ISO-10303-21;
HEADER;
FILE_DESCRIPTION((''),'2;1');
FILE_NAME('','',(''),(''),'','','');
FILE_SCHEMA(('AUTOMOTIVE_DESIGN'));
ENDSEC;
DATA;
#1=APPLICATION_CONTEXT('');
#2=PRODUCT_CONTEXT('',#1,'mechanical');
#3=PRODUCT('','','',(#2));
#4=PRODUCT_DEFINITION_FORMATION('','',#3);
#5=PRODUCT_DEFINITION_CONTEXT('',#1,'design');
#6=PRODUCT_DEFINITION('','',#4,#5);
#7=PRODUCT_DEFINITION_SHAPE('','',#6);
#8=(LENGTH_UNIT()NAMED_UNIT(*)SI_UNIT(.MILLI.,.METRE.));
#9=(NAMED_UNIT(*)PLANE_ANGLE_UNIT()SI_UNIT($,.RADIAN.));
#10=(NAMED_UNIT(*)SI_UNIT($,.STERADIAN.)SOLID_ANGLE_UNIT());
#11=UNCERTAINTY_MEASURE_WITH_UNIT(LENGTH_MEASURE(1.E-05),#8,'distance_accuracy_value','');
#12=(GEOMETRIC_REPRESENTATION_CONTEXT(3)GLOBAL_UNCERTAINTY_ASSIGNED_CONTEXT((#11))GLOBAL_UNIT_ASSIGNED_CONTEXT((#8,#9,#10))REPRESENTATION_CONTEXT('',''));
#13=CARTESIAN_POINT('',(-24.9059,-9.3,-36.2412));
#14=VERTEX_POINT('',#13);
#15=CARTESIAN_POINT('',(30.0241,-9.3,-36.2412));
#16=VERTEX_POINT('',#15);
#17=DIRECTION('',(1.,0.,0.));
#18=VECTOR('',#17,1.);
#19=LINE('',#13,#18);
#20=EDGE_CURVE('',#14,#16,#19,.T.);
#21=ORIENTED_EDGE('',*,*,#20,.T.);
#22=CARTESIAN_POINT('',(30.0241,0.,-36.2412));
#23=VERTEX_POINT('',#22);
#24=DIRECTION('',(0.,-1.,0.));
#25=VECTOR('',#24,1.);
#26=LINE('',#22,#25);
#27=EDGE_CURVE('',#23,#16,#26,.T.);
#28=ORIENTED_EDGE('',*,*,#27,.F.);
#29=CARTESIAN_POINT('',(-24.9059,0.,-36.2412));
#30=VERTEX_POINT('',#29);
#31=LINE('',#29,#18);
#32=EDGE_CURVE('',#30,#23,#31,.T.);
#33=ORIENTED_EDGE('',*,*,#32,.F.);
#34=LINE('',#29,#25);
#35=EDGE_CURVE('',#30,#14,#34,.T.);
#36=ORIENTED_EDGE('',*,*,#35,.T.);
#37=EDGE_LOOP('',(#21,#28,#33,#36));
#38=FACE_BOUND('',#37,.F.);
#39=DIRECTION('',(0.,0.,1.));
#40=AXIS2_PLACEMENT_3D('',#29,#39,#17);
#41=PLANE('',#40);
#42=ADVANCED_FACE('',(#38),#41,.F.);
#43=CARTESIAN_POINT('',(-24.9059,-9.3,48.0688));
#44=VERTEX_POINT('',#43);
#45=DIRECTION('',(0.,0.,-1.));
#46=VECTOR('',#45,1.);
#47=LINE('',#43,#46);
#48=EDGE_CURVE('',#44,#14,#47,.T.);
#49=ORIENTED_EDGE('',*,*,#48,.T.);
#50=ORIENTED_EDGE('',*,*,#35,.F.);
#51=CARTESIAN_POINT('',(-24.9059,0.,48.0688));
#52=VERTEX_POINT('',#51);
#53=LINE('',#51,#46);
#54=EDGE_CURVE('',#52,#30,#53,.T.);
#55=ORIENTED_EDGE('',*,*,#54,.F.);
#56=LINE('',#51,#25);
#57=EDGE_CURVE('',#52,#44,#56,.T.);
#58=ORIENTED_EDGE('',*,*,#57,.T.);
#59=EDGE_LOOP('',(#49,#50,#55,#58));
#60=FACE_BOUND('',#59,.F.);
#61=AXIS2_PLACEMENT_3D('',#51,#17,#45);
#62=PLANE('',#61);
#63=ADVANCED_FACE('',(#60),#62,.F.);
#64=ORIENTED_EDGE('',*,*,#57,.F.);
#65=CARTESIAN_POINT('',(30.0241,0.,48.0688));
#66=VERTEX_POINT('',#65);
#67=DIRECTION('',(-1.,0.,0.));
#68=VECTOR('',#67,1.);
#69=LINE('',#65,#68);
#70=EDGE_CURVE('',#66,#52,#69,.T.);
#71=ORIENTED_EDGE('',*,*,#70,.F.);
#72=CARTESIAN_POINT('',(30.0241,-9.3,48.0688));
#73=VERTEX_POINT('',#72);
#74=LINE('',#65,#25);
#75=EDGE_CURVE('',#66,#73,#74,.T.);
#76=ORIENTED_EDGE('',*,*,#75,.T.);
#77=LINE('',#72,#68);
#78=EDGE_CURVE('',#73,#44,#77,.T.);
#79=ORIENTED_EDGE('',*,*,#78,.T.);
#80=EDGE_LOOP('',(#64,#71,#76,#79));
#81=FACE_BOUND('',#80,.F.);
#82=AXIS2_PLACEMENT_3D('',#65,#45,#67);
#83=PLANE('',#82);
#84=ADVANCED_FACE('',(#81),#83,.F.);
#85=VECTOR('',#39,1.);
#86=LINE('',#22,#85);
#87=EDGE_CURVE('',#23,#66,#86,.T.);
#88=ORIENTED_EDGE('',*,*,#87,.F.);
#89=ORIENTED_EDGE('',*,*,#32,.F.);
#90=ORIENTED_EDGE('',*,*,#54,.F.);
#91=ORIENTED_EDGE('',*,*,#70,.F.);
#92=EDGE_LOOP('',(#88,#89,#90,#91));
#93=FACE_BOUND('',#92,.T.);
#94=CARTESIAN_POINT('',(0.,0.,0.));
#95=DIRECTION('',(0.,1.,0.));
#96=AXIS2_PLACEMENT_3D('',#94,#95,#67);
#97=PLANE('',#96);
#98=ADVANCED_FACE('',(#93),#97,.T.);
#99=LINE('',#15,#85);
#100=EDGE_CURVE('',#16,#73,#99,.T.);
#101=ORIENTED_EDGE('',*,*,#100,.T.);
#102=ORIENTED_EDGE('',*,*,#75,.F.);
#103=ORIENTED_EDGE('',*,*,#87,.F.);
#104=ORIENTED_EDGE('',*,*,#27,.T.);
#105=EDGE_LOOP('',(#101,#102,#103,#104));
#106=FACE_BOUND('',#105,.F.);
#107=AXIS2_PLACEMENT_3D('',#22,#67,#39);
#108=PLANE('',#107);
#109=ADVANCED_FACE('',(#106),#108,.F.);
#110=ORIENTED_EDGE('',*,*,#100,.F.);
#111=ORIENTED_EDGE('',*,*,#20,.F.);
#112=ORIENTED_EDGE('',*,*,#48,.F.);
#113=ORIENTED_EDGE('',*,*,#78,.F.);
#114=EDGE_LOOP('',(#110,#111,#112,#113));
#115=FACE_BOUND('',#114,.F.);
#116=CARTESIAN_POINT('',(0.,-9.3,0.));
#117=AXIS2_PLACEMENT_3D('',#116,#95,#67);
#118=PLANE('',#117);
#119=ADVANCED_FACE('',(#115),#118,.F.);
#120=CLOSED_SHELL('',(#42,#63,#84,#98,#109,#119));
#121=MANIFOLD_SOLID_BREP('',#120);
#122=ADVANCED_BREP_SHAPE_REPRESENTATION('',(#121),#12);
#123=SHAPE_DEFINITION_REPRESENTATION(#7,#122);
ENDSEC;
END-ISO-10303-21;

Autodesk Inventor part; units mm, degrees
ref_plane "YZ Plane" through (0, 0, 0) normal (1, 0, 0) x (0, 1, 0)
ref_plane "XZ Plane" through (0, 0, 0) normal (0, 1, 0) x (-1, 0, 0)
ref_plane "XY Plane" through (0, 0, 0) normal (0, 0, 1) x (1, 0, 0)
sketch "Sketch1" plane through (0, 0, 0) normal (0, 1, 0) x (-1, 0, 0)
  line L0 (24.9059, -36.2412) -> (-30.0241, -36.2412)
  line L1 (-30.0241, -36.2412) -> (-30.0241, 48.0688)
  line L2 (-30.0241, 48.0688) -> (24.9059, 48.0688)
  line L3 (24.9059, 48.0688) -> (24.9059, -36.2412)
  point P0 (0, 0)
  dimension "d0" = 84.31
  dimension "d1" = 54.93
extrude "Extrusion1" add sketch "Sketch1" against normal blind 9.3
properties part number "breadboard lol"
